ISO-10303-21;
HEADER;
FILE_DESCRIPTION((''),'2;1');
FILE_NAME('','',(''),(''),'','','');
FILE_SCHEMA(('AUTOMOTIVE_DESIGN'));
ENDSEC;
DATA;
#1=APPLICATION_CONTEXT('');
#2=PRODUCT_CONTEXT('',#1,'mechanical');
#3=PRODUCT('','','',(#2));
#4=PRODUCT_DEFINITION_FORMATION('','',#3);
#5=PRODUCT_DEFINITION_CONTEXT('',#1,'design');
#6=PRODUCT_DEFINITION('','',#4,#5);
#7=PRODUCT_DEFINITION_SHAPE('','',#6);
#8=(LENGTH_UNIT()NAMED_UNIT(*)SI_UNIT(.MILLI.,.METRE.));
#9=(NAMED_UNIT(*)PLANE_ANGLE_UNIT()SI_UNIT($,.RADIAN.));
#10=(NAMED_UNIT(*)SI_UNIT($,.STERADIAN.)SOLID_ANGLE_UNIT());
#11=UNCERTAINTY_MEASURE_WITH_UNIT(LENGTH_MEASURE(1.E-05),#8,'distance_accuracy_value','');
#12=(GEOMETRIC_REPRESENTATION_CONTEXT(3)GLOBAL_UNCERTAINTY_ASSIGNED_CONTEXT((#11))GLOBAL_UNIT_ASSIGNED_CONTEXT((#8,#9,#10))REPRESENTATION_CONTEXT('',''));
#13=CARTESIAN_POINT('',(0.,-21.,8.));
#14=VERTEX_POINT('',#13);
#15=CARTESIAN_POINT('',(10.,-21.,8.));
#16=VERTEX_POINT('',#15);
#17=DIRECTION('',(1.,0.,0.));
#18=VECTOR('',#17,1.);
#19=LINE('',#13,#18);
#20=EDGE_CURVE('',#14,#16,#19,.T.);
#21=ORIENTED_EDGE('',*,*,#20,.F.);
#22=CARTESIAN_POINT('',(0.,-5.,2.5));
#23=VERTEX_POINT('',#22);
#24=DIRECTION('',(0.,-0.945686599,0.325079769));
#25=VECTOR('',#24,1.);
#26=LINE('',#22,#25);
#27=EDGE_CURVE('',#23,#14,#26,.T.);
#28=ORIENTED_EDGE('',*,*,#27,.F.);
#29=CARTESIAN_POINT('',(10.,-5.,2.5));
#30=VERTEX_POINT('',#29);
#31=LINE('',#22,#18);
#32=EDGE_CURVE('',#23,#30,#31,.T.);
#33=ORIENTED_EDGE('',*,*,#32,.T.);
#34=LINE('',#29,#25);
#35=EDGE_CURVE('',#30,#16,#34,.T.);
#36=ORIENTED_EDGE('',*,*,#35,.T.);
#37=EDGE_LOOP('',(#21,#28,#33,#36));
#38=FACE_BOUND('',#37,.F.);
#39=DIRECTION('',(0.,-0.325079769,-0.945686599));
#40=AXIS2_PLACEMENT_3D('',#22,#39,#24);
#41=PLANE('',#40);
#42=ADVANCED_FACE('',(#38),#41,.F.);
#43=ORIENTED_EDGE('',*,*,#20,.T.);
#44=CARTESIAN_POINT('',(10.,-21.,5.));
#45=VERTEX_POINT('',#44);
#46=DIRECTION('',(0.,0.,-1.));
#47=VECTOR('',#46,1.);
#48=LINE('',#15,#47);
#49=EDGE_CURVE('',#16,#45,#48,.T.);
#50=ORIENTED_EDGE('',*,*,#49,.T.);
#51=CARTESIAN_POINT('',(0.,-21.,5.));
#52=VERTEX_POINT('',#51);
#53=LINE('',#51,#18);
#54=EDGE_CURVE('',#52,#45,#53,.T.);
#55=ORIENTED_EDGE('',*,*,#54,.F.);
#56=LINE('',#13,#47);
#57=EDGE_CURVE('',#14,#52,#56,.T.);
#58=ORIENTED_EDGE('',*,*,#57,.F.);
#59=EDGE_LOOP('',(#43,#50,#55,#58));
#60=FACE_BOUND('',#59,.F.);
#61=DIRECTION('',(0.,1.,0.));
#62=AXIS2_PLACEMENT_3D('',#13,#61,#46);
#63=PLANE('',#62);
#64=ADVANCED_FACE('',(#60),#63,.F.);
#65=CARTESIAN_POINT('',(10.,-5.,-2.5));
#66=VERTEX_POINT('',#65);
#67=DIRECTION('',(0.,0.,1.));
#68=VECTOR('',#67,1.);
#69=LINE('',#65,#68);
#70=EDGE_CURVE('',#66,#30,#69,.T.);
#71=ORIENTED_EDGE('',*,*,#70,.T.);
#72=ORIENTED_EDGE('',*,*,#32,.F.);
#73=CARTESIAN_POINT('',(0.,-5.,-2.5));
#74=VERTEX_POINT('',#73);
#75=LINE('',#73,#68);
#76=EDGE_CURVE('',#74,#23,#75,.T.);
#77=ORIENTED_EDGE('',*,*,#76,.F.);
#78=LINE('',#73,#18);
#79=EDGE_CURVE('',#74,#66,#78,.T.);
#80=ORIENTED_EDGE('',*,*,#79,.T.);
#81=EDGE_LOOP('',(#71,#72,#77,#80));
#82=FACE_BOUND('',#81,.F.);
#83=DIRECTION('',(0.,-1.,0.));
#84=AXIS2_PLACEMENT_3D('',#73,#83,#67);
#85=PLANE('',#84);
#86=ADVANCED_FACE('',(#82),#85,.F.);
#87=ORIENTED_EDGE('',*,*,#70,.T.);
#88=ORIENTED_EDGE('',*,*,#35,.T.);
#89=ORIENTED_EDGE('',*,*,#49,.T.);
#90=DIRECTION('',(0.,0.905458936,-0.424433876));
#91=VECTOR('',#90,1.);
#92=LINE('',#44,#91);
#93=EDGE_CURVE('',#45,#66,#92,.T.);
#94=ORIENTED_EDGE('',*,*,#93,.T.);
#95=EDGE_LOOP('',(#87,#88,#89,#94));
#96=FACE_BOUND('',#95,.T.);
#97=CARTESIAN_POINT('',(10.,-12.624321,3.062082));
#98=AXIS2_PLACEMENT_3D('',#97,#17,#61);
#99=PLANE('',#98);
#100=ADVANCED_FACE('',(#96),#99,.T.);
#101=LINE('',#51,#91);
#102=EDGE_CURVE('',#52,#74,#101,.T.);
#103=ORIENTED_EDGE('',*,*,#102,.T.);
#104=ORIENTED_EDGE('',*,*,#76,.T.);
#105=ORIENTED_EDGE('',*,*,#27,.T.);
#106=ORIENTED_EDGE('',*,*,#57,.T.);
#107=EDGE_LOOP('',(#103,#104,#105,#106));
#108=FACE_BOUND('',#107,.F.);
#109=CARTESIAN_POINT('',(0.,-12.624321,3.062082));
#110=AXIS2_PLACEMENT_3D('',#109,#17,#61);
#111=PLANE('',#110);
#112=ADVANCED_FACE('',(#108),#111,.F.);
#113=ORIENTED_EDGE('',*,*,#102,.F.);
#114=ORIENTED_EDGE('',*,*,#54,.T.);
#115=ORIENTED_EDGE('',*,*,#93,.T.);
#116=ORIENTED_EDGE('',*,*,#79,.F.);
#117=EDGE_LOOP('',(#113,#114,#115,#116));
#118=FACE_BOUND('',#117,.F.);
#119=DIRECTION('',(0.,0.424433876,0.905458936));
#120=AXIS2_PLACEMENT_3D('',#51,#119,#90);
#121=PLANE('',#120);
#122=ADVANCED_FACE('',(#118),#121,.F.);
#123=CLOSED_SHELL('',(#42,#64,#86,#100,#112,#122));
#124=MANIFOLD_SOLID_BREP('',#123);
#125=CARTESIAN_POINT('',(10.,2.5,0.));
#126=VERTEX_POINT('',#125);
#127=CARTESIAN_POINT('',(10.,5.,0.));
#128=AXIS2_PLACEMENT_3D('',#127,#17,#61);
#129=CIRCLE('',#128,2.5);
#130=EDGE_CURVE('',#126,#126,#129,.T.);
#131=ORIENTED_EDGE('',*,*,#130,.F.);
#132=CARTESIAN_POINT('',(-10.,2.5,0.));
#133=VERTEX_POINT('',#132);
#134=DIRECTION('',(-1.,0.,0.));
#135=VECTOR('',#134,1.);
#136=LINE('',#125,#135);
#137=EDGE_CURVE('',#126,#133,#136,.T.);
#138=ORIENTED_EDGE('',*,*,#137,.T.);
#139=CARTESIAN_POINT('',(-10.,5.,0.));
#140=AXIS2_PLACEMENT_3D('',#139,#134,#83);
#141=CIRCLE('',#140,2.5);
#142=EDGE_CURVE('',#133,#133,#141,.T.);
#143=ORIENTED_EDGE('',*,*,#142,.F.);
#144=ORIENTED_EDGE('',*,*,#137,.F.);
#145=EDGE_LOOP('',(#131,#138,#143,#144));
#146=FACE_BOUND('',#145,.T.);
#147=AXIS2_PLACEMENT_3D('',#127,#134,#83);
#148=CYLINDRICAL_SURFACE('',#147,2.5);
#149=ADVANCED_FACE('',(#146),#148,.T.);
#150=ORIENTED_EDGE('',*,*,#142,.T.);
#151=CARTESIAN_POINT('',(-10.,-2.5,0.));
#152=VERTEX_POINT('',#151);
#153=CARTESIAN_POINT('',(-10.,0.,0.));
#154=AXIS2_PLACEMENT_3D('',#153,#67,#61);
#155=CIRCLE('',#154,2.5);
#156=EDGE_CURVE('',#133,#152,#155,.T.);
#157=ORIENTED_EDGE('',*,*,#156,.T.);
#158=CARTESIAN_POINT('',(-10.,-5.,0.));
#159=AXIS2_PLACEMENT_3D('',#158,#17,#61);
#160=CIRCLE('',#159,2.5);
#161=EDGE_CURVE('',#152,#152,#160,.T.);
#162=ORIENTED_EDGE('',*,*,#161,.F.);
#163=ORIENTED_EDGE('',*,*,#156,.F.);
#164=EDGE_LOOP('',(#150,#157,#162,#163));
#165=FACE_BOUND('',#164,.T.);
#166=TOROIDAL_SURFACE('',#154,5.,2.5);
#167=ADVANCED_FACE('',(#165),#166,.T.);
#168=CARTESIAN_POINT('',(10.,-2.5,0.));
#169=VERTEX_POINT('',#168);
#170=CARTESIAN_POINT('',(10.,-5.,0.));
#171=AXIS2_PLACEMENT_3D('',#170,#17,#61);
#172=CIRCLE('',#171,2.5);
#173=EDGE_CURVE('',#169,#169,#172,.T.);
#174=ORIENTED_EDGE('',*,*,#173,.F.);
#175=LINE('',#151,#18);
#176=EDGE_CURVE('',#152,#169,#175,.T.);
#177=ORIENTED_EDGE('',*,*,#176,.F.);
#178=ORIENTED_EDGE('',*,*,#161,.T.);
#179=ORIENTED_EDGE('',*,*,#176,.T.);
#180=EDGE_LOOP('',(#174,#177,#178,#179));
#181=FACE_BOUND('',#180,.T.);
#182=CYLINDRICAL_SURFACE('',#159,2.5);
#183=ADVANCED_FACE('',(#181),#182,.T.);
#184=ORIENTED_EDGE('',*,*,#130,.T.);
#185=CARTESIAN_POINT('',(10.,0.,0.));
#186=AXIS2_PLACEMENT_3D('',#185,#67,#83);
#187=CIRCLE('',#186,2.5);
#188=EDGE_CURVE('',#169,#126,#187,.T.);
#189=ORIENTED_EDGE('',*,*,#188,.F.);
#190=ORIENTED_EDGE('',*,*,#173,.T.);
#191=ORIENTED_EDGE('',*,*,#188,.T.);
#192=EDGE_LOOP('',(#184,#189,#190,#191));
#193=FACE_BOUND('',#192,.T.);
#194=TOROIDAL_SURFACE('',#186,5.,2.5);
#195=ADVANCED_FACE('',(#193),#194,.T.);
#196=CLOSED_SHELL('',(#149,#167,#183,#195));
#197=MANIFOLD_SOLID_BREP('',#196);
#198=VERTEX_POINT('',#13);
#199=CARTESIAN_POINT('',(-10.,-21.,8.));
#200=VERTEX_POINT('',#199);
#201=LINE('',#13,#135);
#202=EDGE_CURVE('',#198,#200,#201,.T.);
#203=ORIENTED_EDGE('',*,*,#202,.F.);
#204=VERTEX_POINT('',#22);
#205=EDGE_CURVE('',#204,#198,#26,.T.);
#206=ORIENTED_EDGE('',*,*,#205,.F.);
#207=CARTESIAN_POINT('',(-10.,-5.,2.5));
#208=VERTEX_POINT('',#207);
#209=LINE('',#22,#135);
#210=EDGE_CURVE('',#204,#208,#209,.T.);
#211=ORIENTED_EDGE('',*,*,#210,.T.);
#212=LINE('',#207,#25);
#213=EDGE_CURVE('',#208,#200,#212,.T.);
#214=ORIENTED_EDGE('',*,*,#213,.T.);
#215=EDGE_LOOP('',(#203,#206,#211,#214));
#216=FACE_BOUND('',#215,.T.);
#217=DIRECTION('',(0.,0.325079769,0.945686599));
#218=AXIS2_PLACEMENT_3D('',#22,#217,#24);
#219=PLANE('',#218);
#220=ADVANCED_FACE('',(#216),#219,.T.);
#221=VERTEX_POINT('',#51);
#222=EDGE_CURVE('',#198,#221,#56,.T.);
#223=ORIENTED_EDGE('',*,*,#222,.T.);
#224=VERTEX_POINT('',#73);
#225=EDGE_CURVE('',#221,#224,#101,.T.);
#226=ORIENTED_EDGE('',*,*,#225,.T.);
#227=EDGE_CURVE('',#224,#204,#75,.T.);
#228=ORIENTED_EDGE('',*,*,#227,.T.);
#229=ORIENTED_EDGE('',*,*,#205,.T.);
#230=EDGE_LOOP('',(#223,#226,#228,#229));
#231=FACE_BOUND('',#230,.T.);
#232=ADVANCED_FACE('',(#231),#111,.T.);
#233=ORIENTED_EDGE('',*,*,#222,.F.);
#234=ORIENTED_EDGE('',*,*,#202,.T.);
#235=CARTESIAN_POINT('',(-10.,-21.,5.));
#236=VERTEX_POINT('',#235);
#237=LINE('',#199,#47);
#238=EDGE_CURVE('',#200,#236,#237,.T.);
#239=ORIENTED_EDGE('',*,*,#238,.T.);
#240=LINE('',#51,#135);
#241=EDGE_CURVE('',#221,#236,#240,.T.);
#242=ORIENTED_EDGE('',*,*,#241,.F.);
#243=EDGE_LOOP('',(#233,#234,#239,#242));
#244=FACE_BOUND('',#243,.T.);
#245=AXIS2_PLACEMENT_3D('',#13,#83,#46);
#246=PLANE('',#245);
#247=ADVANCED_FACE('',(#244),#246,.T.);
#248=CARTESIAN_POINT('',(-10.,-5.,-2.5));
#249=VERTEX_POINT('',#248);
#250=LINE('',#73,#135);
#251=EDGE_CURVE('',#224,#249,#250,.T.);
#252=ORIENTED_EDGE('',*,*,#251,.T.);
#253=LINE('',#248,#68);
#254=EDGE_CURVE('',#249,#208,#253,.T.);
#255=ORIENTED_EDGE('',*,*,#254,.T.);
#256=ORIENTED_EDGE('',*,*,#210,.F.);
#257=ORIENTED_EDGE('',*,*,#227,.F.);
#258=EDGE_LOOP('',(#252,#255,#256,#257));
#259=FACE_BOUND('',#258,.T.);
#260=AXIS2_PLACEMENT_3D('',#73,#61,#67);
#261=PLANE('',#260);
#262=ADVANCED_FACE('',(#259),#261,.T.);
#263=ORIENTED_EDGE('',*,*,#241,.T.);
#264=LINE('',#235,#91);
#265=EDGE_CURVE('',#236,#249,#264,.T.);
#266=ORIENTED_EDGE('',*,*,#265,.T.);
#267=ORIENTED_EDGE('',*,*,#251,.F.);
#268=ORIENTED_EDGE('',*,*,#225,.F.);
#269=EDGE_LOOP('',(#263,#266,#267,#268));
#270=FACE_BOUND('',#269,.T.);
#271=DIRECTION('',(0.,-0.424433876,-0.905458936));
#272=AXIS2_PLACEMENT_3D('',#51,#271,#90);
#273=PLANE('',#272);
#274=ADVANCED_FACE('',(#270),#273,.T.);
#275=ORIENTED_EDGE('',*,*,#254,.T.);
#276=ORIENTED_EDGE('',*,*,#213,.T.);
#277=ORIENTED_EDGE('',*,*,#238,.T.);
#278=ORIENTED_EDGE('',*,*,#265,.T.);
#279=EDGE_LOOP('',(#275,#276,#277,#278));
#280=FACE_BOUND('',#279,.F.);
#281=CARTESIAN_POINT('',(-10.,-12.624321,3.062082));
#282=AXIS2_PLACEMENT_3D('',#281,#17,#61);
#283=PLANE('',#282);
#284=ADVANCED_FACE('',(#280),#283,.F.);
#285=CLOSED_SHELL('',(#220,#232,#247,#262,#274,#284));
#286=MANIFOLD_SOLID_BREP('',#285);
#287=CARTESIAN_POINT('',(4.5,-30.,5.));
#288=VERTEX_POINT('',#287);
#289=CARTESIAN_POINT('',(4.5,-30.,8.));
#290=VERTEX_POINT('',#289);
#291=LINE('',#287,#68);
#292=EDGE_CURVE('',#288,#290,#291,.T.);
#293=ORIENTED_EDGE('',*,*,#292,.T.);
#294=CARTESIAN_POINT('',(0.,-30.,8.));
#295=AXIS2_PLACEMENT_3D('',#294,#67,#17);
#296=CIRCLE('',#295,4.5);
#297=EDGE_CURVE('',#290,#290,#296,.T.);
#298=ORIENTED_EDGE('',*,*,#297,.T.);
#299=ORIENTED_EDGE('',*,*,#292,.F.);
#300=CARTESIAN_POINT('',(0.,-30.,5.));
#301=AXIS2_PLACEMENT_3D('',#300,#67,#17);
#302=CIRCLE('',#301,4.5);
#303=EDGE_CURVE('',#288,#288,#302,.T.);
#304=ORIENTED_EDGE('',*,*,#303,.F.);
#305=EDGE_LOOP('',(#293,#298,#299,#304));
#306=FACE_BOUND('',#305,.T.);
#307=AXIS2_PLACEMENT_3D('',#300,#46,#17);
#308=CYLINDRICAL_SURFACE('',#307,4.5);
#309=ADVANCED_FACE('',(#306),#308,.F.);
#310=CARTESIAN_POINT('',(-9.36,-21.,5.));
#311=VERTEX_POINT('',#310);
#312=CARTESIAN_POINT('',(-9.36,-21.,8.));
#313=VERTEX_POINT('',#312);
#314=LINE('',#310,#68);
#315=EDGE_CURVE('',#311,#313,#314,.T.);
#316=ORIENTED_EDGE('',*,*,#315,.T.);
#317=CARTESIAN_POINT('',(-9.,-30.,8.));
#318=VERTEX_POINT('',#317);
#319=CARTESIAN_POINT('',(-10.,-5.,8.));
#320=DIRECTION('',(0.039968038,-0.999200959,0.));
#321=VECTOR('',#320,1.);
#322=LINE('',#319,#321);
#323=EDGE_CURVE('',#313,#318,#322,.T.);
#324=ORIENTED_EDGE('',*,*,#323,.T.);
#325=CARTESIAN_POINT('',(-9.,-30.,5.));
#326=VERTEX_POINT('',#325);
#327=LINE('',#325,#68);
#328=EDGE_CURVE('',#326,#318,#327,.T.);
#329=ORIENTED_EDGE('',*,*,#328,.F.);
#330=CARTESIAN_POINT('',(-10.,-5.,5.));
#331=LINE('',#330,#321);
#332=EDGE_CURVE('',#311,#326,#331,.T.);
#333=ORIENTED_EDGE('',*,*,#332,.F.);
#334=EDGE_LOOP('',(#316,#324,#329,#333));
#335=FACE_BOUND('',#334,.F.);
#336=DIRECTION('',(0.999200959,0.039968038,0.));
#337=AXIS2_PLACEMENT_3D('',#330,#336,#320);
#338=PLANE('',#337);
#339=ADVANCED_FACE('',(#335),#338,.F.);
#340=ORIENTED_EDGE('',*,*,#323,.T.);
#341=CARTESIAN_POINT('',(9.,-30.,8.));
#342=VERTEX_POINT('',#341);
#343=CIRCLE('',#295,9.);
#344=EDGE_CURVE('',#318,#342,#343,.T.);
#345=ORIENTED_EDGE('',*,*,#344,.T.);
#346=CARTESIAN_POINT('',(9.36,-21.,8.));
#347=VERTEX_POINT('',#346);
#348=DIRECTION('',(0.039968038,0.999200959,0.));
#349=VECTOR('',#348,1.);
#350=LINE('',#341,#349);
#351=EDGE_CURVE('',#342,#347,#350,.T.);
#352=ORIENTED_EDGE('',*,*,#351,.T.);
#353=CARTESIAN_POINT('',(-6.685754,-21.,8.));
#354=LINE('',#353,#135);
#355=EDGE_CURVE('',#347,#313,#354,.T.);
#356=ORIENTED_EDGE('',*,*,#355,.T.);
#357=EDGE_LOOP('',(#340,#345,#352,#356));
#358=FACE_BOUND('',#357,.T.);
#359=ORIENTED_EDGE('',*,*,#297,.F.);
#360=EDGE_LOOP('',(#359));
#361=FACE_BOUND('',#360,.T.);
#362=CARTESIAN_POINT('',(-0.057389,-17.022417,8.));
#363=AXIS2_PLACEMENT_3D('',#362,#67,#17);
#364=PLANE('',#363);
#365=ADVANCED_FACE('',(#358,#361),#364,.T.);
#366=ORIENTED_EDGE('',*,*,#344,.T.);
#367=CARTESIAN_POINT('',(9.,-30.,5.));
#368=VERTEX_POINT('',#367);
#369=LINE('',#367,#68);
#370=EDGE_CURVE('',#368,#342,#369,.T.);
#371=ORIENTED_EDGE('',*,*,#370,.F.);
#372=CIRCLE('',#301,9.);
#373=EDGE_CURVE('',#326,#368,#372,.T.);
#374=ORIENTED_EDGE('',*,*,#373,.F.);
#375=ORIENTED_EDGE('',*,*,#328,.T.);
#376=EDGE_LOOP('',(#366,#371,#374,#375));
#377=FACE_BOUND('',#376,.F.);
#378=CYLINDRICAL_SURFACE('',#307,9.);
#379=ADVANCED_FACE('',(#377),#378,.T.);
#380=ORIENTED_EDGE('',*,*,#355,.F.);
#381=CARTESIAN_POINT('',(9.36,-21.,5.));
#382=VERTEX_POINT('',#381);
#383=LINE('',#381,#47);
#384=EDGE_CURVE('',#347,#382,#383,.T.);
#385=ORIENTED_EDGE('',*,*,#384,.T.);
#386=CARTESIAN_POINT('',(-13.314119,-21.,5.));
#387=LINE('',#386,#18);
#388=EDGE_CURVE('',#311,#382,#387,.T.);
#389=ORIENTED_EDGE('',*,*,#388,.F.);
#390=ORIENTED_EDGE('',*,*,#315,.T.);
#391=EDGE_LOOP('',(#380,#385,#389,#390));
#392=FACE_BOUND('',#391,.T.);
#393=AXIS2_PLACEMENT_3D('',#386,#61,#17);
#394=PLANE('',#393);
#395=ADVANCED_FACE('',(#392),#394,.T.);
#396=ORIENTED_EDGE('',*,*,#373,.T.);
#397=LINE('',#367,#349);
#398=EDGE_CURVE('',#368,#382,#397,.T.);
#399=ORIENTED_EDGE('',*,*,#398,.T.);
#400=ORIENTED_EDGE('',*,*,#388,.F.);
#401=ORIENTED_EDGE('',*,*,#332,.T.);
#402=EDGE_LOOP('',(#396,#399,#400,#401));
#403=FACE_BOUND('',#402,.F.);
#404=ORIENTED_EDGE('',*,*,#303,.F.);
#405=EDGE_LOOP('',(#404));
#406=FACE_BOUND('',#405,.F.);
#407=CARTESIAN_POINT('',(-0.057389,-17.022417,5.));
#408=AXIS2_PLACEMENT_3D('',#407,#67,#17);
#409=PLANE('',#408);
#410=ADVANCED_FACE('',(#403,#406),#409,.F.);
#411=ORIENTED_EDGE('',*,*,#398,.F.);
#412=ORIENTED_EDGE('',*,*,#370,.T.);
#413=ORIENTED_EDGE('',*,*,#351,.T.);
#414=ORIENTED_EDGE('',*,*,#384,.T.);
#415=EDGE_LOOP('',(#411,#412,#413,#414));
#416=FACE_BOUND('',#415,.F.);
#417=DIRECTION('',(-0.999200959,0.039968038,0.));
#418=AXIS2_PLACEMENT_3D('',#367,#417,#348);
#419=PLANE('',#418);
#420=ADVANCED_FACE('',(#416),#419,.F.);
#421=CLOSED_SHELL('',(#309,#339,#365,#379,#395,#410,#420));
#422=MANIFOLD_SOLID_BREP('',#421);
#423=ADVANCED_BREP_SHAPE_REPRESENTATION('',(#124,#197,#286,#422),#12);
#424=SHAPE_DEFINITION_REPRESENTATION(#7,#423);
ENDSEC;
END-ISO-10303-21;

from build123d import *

# Parameters (mm, degrees)
F3_R      = 9
F3_R_2    = 4.5
F4_DEPTH  = 3
F6_DEPTH  = 3
F8_DEPTH  = 3.1
F10_DEPTH = 10
F11_DEPTH = 10
F1_R      = 2.5


with BuildPart() as f4:
    # F3 (on offset) → F4 (new body)
    with BuildSketch(Plane.XY.offset(5)):
        with Locations((0, -30)):
            Circle(F3_R)
        with Locations((0, -30)):
            Circle(F3_R_2, mode=Mode.SUBTRACT)
    extrude(amount=F4_DEPTH)

    # F5 (on offset) → F6 (join)
    with BuildSketch(Plane.XY.offset(5)):
        Polygon((10, -5), (-10, -5), (-9, -30), (-1.422946, -23.646159), (9, -30), align=None)
    extrude(amount=F6_DEPTH)

    # F7 (on offset) → F8 (cut)
    with BuildSketch(Plane.XY.offset(5)):
        Polygon((-13.314119, -21), (0, -21), (13.596853, -21), (13.596853, -1.755954), (-14.464494, -1.755954), align=None)
    extrude(amount=F8_DEPTH, mode=Mode.SUBTRACT)


with BuildPart() as f10:
    # F9 (on Right) → F10 (new body)
    with BuildSketch(Plane.YZ):
        Polygon((-21, 5), (-5, -2.5), (-5, 2.5), (-21, 8), align=None)
    extrude(amount=F10_DEPTH)


with BuildPart() as f11:
    # F9 (on Right) → F11 (new body)
    with BuildSketch(Plane.YZ):
        Polygon((-21, 5), (-5, -2.5), (-5, 2.5), (-21, 8), align=None)
    extrude(amount=-F11_DEPTH)


with BuildPart() as f12:
    # F12: sweep along a path in F0
    with BuildLine(Plane.XY) as f12_path:
        Line((-10, -2.5), (10, -2.5))
        ThreePointArc((10, -2.5), (12.5, 0), (10, 2.5))
        Line((10, 2.5), (-10, 2.5))
        ThreePointArc((-10, 2.5), (-12.5, 0), (-10, -2.5))
    # F1 (on Right) → F12 (sweep)
    with BuildSketch(Plane.YZ):
        with Locations((-5, 0)):
            Circle(F1_R)
    sweep(path=f12_path.line)


solid = Compound([f4.part, f10.part, f11.part, f12.part])
